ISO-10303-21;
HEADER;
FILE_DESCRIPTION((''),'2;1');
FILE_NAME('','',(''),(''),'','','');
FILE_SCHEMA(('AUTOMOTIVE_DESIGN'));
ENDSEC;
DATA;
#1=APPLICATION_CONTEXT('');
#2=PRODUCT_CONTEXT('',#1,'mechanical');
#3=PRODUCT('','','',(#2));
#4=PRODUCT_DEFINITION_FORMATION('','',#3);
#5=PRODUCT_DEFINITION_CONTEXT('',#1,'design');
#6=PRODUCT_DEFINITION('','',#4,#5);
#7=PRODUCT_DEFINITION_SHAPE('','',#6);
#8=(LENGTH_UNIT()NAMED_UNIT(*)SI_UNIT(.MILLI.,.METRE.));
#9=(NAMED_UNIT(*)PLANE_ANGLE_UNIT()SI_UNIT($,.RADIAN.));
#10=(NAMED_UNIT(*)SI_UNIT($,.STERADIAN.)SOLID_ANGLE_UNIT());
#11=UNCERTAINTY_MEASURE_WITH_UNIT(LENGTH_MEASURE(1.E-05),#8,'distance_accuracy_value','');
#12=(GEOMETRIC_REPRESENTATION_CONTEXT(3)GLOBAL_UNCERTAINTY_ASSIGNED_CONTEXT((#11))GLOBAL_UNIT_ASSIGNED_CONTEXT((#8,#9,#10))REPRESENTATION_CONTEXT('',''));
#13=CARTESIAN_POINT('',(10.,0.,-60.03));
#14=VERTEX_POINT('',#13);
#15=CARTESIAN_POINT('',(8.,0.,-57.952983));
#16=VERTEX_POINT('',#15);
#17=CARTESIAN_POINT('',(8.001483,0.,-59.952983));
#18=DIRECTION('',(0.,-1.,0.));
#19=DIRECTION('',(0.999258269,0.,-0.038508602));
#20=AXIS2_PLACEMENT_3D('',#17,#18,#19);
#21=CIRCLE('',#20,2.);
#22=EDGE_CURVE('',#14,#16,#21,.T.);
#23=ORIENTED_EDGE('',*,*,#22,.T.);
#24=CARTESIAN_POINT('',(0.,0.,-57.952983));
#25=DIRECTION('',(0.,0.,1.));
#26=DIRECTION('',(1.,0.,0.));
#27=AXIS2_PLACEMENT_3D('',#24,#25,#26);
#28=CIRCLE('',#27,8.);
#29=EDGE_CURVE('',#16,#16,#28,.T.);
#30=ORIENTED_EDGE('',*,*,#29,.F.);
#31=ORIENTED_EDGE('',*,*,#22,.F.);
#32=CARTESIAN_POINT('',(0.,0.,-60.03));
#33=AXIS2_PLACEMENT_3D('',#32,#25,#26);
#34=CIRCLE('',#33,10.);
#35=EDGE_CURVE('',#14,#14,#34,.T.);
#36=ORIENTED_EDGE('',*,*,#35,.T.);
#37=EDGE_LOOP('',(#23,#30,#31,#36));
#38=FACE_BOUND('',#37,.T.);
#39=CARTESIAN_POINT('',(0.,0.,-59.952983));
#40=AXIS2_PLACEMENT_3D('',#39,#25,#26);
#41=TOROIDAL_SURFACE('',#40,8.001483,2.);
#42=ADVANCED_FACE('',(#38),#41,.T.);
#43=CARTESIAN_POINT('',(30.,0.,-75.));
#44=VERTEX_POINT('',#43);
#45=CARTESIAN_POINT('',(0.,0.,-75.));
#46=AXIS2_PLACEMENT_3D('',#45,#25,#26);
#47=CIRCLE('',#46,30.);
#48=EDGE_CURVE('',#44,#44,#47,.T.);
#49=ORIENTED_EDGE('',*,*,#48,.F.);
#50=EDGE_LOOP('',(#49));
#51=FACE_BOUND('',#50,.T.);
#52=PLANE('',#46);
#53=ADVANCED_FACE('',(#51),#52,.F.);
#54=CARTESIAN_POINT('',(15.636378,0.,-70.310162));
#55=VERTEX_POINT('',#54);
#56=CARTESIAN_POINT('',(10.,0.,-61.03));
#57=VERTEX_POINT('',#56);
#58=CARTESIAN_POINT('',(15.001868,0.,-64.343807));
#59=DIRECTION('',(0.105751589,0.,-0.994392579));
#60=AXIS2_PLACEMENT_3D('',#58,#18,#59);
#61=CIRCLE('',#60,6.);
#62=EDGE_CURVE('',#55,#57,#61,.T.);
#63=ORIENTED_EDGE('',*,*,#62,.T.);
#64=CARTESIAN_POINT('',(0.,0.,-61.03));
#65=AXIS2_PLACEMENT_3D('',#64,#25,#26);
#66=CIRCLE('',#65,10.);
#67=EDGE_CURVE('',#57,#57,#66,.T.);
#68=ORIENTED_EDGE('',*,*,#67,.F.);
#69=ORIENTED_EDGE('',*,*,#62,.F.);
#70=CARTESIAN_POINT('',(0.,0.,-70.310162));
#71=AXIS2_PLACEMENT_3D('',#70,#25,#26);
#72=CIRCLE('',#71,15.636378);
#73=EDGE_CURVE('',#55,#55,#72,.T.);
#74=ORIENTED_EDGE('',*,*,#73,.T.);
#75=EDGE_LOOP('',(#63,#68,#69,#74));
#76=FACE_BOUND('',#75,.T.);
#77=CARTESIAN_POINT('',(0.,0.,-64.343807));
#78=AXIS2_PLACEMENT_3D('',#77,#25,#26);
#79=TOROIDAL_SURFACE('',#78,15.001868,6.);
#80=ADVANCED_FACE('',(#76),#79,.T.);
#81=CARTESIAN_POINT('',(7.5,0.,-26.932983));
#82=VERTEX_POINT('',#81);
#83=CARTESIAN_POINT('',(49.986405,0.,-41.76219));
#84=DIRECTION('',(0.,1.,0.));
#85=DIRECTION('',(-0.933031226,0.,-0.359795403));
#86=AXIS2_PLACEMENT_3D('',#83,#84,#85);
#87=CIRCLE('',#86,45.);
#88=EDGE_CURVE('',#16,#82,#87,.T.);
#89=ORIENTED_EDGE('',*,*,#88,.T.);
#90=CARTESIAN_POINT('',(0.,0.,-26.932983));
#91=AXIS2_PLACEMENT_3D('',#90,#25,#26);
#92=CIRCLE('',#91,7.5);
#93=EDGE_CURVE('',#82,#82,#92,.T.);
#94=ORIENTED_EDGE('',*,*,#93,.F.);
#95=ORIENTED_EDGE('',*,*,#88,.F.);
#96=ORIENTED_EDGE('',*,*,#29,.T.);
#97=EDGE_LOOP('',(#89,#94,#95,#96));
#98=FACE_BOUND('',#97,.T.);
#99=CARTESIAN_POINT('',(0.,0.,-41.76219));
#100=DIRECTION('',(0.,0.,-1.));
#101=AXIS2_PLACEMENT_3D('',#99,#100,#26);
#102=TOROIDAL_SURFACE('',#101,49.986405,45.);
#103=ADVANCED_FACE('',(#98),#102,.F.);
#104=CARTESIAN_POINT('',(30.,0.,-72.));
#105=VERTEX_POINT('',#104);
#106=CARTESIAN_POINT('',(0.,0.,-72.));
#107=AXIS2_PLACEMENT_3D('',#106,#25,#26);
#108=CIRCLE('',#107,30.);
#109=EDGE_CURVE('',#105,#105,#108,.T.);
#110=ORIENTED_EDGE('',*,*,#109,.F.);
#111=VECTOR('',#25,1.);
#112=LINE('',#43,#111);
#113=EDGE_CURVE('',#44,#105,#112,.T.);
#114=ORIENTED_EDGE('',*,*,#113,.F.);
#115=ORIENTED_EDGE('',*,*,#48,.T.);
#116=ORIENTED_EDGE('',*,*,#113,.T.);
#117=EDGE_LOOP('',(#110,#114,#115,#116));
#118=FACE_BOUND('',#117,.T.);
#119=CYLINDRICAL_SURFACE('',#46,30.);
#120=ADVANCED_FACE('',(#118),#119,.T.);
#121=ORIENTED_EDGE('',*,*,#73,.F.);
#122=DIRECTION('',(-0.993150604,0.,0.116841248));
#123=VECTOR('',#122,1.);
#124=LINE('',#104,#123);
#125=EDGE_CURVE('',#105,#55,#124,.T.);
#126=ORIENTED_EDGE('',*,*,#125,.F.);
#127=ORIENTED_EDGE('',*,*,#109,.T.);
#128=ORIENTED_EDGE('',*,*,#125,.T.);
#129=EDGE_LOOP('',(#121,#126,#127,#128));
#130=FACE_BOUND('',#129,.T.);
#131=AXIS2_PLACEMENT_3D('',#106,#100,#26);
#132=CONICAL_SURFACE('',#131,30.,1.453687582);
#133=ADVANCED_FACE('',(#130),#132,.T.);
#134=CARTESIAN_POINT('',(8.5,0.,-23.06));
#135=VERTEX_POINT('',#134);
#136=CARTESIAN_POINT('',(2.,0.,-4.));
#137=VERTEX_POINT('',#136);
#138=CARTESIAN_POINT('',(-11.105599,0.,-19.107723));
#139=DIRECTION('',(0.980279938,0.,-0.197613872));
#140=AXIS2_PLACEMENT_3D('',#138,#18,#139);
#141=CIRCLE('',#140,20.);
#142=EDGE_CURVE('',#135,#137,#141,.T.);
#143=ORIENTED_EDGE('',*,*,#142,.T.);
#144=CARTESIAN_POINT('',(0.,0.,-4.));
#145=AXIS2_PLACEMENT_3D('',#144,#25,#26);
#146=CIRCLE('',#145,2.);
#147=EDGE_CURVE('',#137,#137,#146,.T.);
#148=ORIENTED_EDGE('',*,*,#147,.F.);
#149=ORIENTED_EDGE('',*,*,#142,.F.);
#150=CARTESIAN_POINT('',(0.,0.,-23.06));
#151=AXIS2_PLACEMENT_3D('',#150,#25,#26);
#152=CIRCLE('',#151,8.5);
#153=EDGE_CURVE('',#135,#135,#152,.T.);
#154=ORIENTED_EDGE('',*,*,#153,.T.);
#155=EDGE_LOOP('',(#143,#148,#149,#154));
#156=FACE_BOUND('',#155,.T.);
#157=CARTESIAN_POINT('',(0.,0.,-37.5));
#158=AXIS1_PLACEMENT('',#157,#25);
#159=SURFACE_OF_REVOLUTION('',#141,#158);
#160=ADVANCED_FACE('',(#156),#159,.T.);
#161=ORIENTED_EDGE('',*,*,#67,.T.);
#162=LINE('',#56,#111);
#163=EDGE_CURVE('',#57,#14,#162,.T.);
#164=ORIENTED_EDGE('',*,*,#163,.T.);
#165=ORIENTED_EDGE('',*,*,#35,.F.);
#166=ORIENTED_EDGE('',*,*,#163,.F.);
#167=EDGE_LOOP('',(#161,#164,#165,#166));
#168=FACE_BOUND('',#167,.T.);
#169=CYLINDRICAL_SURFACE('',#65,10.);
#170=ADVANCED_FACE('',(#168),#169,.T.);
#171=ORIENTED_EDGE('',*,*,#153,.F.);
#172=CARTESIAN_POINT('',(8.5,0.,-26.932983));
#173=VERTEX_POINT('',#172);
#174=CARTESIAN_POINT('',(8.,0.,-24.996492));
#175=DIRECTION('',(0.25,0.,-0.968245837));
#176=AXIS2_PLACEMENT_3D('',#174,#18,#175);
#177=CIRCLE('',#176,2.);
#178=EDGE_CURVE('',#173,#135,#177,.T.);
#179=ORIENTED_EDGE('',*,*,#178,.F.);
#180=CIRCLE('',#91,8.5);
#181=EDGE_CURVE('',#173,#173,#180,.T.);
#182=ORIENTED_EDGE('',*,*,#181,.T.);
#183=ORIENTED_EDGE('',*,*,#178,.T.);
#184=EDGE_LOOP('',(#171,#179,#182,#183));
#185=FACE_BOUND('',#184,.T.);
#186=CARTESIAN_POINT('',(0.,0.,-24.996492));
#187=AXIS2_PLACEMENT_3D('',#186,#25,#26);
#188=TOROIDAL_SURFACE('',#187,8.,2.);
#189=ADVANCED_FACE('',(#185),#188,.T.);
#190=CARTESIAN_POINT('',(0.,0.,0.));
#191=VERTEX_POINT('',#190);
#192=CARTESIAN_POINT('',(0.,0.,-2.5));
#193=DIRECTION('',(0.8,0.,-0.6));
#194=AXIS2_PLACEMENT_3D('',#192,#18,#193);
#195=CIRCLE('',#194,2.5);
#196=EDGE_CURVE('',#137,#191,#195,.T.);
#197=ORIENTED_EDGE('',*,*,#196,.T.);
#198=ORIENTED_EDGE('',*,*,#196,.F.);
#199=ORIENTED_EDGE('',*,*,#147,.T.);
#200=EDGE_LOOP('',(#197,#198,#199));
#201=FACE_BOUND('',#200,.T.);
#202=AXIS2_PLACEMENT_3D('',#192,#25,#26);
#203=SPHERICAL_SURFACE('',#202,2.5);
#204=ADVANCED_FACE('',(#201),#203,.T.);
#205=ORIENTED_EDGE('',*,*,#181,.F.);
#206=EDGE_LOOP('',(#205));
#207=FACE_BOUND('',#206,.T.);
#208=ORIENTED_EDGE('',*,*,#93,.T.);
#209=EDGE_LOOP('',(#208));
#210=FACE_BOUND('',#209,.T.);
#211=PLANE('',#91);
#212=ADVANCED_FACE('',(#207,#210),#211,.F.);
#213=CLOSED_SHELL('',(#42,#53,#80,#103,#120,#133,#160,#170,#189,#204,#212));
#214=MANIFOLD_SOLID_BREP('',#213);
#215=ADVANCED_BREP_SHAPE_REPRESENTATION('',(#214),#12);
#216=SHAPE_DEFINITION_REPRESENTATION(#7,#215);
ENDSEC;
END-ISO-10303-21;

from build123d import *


with BuildPart() as f1:
    # F0 (on Front) → F1 (revolve)
    with BuildSketch(Plane.XZ):
        with BuildLine():
            ThreePointArc((8.5, -23.06), (7.8239155169, -12.6522218856), (2, -4))
            ThreePointArc((2, -4), (2.2360679775, -1.3819660113), (0, 0))
            Line((0, 0), (0, -75))
            Line((0, -75), (30, -75))
            Line((30, -75), (30, -72))
            Line((30, -72), (15.6363777571, -70.3101620891))
            ThreePointArc((15.6363777571, -70.3101620891), (20.1301045264, -61.2291328883), (10, -61.03))
            Line((10, -61.03), (10, -60.03))
            ThreePointArc((10, -60.03), (9.4421551186, -58.5657318528), (8, -57.9529833462))
            ThreePointArc((8, -57.9529833462), (4.9922497524, -42.4874345107), (7.5, -26.9329833462))
            Line((7.5, -26.9329833462), (8.5, -26.9329833462))
            ThreePointArc((8.5, -26.9329833462), (10, -24.9964916731), (8.5, -23.06))
        make_face()
        with BuildLine():
            Line((13, -70), (15.6363777571, -70.3101620891))
            ThreePointArc((15.6363777571, -70.3101620891), (14.3008207379, -70.3027102402), (13, -70))
        make_face(mode=Mode.SUBTRACT)
        with BuildLine():
            ThreePointArc((13, -70), (14.3008207379, -70.3027102402), (15.6363777571, -70.3101620891))
            Line((15.6363777571, -70.3101620891), (13, -70))
        make_face()
    revolve(axis=Axis((0, 0, -37.5), (0, 0, 1)))


solid = f1.part
